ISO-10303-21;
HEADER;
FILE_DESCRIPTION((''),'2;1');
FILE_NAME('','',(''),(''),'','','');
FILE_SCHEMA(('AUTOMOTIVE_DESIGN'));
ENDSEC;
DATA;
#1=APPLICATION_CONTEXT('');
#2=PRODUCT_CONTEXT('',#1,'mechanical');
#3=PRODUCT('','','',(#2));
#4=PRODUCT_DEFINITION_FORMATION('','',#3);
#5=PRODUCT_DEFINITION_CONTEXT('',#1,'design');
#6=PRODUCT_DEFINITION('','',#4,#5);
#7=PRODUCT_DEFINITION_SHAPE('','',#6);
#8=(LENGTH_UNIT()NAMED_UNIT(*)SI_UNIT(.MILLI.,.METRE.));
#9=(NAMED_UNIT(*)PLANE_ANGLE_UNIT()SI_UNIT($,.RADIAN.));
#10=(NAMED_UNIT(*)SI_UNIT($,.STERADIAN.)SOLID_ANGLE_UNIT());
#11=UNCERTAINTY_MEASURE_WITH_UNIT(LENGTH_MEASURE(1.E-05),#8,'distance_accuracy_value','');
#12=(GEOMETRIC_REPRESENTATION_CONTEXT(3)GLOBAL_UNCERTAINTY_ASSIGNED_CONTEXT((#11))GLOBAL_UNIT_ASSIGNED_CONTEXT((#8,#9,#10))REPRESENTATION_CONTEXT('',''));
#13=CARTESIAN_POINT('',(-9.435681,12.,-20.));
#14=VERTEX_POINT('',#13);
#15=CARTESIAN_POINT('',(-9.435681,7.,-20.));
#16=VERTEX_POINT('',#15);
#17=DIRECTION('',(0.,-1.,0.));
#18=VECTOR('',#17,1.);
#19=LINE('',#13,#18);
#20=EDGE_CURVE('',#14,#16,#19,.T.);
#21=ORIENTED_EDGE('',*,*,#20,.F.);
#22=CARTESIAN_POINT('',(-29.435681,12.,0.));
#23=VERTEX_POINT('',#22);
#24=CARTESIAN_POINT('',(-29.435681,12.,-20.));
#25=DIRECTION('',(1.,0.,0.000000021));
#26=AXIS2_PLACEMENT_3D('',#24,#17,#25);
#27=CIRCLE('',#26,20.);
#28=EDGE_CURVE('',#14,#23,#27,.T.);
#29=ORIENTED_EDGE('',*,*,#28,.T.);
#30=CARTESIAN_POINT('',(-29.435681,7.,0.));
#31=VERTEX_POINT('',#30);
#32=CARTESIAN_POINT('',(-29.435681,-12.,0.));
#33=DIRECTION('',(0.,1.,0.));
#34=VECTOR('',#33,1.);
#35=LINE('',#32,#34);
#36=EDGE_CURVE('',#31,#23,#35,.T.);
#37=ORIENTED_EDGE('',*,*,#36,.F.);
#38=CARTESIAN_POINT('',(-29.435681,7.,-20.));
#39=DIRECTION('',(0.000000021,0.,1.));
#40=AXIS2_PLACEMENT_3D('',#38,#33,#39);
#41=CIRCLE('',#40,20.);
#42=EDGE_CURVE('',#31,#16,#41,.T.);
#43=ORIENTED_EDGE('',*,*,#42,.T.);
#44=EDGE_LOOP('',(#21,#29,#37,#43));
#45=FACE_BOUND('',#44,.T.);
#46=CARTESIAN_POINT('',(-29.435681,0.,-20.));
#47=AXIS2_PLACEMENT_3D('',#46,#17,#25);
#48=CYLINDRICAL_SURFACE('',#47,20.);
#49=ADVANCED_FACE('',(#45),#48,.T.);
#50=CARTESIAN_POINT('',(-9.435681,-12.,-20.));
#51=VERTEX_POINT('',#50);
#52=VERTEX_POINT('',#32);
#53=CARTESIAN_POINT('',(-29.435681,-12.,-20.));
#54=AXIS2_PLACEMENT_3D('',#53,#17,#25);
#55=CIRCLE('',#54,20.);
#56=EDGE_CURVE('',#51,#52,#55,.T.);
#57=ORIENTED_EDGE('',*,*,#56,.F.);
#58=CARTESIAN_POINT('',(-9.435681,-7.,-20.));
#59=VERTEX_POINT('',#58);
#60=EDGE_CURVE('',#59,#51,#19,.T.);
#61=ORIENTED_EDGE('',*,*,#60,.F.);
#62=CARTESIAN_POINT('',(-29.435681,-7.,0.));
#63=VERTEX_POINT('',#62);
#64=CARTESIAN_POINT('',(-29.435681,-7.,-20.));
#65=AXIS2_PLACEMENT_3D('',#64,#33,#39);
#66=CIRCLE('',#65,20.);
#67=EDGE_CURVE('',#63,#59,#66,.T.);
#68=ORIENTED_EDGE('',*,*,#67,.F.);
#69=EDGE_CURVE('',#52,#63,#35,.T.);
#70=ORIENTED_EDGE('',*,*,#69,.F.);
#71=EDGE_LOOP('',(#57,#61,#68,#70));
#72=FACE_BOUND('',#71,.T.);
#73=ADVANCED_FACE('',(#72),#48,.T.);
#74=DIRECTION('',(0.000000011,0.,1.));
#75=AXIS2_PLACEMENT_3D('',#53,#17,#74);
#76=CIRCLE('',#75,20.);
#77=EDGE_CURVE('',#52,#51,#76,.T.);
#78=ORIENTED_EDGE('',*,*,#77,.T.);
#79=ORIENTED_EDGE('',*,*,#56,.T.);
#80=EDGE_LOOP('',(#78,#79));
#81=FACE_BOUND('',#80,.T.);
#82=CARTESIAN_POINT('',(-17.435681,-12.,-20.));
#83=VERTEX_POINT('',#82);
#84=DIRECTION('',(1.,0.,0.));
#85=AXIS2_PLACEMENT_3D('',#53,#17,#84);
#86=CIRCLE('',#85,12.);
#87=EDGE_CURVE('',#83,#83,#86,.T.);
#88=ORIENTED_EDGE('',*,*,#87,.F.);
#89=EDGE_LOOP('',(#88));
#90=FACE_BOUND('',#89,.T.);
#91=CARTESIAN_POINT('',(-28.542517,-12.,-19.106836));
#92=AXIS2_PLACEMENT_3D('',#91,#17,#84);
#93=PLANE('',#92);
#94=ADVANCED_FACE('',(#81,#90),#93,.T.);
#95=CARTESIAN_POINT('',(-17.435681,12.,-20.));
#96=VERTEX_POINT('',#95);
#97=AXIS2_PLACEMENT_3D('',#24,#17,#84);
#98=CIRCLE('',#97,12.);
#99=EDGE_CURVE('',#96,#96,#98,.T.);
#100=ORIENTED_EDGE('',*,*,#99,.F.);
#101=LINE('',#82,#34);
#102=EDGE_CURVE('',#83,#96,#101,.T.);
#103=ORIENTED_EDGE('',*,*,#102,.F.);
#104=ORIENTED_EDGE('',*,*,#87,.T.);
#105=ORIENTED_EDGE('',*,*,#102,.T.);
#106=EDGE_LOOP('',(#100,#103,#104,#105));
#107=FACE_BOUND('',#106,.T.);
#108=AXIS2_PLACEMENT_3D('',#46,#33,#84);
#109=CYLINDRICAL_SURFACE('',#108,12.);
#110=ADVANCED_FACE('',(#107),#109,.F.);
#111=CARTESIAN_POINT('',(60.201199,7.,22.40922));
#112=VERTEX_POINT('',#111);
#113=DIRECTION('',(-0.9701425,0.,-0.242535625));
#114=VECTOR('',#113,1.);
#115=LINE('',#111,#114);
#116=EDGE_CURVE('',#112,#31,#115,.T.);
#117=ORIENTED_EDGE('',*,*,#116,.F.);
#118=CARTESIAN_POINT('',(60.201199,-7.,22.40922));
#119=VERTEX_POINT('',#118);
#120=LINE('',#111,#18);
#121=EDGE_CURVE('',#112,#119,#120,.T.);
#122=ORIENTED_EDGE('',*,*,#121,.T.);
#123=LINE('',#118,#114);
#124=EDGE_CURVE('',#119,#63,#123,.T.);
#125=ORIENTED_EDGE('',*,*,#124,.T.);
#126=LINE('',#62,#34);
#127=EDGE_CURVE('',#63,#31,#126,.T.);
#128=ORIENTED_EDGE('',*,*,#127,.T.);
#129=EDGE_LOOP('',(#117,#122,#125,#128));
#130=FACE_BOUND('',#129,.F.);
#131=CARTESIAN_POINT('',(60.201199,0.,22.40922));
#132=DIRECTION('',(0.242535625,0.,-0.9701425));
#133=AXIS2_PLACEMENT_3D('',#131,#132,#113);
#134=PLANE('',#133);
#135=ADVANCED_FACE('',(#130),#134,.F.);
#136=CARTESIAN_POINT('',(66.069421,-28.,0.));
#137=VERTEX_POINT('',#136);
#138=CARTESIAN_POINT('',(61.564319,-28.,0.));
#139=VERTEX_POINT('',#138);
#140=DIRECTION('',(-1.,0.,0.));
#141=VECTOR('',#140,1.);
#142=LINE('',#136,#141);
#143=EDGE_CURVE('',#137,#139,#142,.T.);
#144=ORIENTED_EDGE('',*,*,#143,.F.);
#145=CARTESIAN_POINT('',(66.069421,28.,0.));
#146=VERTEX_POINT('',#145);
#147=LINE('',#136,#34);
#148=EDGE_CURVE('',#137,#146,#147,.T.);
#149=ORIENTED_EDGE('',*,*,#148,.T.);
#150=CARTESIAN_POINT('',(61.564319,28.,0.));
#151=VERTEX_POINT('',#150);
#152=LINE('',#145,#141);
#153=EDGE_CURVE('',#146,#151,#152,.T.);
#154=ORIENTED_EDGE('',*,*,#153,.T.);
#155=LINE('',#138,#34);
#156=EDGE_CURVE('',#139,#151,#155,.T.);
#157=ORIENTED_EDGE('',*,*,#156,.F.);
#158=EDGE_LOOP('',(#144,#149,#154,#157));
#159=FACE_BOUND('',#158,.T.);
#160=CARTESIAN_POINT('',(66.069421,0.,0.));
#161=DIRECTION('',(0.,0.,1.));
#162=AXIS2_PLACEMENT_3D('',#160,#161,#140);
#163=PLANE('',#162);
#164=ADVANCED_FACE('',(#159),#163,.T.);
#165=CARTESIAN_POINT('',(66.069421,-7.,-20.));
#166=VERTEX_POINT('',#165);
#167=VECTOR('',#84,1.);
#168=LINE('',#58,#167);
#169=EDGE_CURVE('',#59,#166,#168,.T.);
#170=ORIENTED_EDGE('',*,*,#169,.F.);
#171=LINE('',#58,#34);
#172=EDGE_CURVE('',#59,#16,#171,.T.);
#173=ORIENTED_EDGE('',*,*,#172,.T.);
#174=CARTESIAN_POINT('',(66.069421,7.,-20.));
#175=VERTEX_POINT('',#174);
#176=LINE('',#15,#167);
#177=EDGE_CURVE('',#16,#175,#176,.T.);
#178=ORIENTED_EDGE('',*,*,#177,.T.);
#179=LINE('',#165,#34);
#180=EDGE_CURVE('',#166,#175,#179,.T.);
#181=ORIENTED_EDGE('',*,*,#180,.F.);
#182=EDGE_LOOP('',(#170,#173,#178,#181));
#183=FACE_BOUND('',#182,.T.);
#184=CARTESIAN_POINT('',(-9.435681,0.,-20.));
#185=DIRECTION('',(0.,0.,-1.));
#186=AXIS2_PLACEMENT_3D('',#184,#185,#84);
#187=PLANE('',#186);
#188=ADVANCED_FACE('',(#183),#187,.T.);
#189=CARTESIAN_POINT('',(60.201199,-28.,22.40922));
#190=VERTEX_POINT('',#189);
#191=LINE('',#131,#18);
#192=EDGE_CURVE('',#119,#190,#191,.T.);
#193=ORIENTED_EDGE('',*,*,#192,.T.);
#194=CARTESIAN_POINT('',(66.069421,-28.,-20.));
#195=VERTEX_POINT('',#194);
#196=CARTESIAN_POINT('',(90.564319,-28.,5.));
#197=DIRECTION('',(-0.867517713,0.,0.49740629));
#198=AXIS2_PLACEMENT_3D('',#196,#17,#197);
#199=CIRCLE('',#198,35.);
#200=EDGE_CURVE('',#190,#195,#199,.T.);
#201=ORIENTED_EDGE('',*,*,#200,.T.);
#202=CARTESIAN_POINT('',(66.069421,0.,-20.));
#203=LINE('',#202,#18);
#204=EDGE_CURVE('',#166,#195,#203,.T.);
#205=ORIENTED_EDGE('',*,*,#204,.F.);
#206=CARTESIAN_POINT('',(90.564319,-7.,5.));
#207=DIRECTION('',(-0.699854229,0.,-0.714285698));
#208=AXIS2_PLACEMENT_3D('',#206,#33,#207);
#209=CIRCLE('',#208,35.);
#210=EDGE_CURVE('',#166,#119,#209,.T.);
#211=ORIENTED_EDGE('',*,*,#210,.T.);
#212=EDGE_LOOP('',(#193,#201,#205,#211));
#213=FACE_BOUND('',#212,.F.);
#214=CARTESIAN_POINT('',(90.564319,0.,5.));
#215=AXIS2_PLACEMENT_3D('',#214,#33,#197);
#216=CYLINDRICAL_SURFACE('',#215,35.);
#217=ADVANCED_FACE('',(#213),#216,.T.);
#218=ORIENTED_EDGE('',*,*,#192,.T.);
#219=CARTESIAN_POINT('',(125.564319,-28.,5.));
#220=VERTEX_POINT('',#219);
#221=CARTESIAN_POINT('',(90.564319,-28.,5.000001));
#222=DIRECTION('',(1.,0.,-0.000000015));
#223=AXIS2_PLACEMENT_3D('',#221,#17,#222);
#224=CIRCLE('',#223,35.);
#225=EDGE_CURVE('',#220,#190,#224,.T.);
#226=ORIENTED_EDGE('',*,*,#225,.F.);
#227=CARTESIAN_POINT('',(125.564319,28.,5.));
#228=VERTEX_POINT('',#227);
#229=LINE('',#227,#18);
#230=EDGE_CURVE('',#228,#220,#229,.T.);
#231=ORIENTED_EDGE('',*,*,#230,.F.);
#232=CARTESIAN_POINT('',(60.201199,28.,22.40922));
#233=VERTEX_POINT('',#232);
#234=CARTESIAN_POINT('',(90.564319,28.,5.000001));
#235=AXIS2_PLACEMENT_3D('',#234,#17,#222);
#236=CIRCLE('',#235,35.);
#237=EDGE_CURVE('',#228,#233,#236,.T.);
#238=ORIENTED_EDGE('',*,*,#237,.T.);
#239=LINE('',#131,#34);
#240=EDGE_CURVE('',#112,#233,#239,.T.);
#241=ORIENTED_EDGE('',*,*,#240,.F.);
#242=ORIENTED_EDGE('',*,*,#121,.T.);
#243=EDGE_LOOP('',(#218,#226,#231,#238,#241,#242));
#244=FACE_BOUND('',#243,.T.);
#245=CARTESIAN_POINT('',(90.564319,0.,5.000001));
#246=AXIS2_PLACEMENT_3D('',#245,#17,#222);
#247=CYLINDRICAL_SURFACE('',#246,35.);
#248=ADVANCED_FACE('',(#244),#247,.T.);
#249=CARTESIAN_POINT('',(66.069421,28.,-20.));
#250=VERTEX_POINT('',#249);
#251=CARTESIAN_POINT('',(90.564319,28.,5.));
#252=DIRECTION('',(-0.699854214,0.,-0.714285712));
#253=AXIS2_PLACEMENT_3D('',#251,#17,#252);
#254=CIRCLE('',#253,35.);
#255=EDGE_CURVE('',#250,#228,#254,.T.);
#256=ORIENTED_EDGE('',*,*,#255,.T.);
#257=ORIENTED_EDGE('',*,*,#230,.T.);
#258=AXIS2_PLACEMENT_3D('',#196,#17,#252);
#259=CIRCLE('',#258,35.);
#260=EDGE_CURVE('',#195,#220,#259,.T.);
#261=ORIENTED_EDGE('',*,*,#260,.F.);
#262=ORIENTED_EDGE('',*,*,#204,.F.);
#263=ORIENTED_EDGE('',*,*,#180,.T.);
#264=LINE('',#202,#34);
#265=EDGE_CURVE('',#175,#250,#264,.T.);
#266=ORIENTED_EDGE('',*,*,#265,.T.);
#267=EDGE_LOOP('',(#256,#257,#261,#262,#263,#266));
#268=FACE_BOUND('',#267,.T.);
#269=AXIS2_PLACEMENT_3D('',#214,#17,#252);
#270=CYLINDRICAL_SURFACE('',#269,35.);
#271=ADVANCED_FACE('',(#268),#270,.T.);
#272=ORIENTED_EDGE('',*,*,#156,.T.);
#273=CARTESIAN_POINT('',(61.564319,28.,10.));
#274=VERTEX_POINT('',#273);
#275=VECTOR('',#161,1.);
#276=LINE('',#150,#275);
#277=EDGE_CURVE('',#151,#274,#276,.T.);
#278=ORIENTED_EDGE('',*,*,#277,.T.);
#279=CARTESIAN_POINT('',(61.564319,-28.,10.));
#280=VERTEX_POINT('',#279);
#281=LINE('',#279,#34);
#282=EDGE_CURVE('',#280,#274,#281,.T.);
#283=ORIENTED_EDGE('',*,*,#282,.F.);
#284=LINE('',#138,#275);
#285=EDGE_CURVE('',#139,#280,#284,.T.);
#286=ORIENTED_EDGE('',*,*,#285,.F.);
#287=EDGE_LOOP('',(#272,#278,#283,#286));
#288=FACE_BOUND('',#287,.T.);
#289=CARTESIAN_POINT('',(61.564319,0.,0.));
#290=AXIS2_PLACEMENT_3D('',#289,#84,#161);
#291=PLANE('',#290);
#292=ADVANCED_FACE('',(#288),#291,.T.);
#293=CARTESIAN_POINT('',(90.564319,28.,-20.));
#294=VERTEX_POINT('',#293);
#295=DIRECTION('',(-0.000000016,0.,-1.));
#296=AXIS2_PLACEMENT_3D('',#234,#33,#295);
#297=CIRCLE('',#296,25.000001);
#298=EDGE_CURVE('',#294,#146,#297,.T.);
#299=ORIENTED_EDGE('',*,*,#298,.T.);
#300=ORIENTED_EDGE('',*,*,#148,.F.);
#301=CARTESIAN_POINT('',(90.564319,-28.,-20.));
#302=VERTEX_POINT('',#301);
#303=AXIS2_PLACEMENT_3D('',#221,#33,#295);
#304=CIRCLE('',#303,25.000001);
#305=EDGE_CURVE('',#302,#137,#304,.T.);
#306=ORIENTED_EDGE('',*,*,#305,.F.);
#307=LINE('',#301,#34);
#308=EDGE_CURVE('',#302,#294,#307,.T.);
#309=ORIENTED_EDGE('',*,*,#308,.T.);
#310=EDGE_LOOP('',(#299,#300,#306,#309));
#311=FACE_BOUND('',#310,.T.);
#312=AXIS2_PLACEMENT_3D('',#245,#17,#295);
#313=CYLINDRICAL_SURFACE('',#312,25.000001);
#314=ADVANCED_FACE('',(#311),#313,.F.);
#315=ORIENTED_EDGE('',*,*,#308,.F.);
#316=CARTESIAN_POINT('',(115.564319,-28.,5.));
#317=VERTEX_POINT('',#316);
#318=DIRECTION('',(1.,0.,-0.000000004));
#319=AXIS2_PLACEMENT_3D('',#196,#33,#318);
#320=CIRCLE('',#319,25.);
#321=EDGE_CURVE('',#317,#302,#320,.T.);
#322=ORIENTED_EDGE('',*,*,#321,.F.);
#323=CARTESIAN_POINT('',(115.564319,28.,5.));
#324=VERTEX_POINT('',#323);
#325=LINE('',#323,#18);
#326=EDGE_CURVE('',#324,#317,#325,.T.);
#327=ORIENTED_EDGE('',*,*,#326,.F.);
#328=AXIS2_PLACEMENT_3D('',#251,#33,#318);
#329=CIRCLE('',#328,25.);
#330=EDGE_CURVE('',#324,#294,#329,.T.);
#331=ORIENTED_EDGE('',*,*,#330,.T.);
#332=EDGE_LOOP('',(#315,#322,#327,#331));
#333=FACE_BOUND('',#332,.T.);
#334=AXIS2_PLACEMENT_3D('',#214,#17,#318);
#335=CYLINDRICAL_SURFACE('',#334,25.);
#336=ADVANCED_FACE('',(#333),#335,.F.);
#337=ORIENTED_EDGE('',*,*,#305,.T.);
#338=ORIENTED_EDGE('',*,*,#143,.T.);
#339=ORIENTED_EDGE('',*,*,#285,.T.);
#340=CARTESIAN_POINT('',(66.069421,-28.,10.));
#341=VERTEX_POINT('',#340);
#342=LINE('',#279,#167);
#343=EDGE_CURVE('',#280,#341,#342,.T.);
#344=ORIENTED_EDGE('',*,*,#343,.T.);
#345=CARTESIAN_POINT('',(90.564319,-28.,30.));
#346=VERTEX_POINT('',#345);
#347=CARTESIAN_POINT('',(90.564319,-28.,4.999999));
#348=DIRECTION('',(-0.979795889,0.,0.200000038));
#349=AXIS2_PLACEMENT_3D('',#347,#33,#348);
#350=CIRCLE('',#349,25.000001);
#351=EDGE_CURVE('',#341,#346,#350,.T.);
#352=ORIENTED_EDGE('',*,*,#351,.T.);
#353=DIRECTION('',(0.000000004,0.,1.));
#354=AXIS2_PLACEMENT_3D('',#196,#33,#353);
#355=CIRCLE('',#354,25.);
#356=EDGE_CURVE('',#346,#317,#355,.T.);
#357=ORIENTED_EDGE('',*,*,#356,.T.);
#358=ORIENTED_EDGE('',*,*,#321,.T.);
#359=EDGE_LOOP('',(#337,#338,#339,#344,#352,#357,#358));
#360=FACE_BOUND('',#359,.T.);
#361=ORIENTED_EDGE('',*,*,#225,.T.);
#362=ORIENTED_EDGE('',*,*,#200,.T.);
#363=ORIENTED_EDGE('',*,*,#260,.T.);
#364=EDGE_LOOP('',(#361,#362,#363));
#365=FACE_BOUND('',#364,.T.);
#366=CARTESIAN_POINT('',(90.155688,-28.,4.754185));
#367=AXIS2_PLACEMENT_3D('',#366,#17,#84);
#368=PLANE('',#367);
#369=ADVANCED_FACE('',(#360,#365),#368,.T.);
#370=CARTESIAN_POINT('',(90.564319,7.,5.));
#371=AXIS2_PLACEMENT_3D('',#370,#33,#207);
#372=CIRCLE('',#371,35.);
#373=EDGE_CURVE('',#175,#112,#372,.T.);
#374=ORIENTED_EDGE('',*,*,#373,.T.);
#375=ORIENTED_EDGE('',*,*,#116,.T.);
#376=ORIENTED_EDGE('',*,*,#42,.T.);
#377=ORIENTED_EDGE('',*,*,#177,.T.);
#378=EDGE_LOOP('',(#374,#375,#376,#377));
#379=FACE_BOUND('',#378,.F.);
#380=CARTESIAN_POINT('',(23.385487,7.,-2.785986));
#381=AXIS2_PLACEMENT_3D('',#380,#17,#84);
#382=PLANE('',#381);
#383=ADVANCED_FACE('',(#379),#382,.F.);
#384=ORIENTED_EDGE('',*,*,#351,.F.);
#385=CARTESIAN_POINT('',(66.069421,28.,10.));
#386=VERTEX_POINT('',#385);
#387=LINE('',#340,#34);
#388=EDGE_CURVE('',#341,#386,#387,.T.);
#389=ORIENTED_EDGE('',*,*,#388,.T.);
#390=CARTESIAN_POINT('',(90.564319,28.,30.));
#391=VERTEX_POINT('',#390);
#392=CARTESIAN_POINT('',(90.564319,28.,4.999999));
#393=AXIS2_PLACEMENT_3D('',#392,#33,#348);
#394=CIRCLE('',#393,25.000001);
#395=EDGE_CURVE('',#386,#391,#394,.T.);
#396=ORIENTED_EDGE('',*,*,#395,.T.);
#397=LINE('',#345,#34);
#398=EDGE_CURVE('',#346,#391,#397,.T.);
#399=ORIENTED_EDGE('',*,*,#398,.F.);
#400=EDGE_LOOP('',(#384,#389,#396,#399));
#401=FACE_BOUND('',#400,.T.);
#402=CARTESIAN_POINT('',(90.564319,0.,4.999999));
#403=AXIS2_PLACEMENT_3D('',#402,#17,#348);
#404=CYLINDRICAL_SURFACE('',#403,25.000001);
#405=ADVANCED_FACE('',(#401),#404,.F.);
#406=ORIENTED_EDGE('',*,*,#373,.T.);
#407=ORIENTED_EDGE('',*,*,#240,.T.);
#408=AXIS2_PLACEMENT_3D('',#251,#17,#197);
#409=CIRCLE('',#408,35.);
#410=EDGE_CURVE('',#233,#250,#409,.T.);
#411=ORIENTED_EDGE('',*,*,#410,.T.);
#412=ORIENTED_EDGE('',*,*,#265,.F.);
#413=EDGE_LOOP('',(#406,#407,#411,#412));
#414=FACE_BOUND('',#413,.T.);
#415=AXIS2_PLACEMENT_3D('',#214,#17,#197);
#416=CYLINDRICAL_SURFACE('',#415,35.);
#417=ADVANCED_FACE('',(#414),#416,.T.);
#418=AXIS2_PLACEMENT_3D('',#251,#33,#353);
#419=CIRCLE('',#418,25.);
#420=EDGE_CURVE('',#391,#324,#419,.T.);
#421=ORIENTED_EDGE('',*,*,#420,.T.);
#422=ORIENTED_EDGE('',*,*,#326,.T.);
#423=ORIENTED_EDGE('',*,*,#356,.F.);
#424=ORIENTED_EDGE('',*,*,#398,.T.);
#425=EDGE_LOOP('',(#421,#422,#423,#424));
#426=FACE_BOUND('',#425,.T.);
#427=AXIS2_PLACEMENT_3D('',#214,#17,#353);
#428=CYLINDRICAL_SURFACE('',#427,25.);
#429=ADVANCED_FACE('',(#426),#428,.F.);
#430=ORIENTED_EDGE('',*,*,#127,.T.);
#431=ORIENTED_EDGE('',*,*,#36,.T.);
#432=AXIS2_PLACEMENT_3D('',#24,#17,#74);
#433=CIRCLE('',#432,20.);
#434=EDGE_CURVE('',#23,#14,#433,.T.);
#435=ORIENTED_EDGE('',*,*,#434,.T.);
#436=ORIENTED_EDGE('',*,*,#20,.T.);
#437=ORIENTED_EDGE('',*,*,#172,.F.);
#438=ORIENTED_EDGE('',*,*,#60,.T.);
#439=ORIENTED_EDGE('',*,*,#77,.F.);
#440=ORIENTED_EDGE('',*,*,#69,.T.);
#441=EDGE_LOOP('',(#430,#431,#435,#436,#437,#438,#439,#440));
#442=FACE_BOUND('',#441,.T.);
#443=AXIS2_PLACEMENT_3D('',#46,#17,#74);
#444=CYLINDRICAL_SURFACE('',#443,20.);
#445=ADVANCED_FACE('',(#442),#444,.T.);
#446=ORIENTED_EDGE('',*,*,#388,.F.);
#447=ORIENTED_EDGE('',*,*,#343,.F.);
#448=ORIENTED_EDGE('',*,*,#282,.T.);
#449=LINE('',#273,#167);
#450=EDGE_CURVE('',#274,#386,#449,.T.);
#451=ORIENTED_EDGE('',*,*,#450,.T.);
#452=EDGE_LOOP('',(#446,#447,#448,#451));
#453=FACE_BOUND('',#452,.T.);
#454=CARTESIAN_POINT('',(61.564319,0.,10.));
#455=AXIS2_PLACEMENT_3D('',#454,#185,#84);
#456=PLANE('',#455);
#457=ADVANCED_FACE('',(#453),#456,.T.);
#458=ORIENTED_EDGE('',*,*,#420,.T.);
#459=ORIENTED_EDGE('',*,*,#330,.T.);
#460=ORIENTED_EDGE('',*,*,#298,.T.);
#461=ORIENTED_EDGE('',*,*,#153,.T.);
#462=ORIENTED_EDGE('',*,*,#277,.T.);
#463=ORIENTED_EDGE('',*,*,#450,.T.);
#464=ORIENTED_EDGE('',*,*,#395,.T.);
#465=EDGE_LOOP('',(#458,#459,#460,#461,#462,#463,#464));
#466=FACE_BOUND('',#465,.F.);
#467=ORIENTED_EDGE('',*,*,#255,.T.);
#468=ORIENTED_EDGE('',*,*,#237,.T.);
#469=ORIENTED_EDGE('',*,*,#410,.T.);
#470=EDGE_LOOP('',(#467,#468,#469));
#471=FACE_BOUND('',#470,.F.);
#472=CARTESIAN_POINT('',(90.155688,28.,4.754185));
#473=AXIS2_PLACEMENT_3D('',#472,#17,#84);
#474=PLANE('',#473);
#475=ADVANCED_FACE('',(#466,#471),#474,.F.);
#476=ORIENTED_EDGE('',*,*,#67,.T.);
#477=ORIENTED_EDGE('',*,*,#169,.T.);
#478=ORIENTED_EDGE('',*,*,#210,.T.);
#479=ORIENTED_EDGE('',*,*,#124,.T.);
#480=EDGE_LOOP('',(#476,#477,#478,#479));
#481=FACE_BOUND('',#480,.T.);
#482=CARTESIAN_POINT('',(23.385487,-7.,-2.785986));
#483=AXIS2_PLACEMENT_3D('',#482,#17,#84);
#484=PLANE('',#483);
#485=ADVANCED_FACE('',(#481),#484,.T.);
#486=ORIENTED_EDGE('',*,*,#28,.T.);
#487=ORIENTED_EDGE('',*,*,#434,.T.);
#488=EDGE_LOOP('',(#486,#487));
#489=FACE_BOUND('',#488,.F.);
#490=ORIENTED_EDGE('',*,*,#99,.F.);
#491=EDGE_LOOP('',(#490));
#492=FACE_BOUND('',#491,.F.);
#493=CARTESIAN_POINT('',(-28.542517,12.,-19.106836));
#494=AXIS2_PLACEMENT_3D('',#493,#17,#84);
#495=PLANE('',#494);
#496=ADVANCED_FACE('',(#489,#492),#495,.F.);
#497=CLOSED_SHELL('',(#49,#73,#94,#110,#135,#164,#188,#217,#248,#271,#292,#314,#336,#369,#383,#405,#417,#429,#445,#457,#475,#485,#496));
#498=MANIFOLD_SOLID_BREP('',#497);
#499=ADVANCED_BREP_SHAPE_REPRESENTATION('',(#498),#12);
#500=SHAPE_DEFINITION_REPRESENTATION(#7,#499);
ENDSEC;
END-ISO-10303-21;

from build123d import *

# Parameters (mm, degrees)
F0_R          = 12
F1_DEPTH      = 12
F1_DEPTH_BACK = 12
F2_DEPTH      = 7
F2_DEPTH_BACK = 7
F3_DEPTH      = 28
F3_DEPTH_BACK = 28


with BuildPart() as f1:
    # F0 (on Front) → F1 (new body, two sides)
    with BuildSketch(Plane.XZ) as f1_sk:
        with BuildLine():
            ThreePointArc((-29.435681, 0), (-43.577817, -34.142136), (-9.435681, -20))
            ThreePointArc((-9.435681, -20), (-15.293546, -5.857864), (-29.435681, 0))
        make_face()
        with Locations((-29.435681, -20)):
            Circle(F0_R, mode=Mode.SUBTRACT)
    extrude(amount=F1_DEPTH)
    extrude(f1_sk.sketch, amount=-F1_DEPTH_BACK)

    # F0 (on Front) → F2 (join, two sides)
    with BuildSketch(Plane.XZ) as f2_sk:
        with BuildLine():
            ThreePointArc((-29.435681, 0), (-15.293546, -5.857864), (-9.435681, -20))
            Line((-9.435681, -20), (66.069421, -20))
            ThreePointArc((66.069421, -20), (55.894649, 0.20271), (60.201199, 22.40922))
            Line((60.201199, 22.40922), (-29.435681, 0))
        make_face()
    extrude(amount=F2_DEPTH)
    extrude(f2_sk.sketch, amount=-F2_DEPTH_BACK)

    # F0 (on Front) → F3 (join, two sides)
    with BuildSketch(Plane.XZ) as f3_sk:
        with BuildLine():
            ThreePointArc((60.201199, 22.40922), (55.894649, 0.20271), (66.069421, -20))
            ThreePointArc((66.069421, -20), (104.123054, -27.267022), (125.564319, 5))
            ThreePointArc((125.564319, 5), (99.572393, 38.82092), (60.201199, 22.40922))
        make_face()
        with BuildLine():
            ThreePointArc((115.564319, 5), (108.241988, -12.67767), (90.564319, -20))
            ThreePointArc((90.564319, -20), (74.752931, -14.364917), (66.069421, 0))
            Line((66.069421, 0), (61.564319, 0))
            Line((61.564319, 0), (61.564319, 5))
            Line((61.564319, 5), (61.564319, 10))
            Line((61.564319, 10), (66.069421, 10))
            ThreePointArc((66.069421, 10), (74.752931, 24.364917), (90.564319, 30))
            ThreePointArc((90.564319, 30), (108.241988, 22.67767), (115.564319, 5))
        make_face(mode=Mode.SUBTRACT)
    extrude(amount=F3_DEPTH)
    extrude(f3_sk.sketch, amount=-F3_DEPTH_BACK)


solid = f1.part
